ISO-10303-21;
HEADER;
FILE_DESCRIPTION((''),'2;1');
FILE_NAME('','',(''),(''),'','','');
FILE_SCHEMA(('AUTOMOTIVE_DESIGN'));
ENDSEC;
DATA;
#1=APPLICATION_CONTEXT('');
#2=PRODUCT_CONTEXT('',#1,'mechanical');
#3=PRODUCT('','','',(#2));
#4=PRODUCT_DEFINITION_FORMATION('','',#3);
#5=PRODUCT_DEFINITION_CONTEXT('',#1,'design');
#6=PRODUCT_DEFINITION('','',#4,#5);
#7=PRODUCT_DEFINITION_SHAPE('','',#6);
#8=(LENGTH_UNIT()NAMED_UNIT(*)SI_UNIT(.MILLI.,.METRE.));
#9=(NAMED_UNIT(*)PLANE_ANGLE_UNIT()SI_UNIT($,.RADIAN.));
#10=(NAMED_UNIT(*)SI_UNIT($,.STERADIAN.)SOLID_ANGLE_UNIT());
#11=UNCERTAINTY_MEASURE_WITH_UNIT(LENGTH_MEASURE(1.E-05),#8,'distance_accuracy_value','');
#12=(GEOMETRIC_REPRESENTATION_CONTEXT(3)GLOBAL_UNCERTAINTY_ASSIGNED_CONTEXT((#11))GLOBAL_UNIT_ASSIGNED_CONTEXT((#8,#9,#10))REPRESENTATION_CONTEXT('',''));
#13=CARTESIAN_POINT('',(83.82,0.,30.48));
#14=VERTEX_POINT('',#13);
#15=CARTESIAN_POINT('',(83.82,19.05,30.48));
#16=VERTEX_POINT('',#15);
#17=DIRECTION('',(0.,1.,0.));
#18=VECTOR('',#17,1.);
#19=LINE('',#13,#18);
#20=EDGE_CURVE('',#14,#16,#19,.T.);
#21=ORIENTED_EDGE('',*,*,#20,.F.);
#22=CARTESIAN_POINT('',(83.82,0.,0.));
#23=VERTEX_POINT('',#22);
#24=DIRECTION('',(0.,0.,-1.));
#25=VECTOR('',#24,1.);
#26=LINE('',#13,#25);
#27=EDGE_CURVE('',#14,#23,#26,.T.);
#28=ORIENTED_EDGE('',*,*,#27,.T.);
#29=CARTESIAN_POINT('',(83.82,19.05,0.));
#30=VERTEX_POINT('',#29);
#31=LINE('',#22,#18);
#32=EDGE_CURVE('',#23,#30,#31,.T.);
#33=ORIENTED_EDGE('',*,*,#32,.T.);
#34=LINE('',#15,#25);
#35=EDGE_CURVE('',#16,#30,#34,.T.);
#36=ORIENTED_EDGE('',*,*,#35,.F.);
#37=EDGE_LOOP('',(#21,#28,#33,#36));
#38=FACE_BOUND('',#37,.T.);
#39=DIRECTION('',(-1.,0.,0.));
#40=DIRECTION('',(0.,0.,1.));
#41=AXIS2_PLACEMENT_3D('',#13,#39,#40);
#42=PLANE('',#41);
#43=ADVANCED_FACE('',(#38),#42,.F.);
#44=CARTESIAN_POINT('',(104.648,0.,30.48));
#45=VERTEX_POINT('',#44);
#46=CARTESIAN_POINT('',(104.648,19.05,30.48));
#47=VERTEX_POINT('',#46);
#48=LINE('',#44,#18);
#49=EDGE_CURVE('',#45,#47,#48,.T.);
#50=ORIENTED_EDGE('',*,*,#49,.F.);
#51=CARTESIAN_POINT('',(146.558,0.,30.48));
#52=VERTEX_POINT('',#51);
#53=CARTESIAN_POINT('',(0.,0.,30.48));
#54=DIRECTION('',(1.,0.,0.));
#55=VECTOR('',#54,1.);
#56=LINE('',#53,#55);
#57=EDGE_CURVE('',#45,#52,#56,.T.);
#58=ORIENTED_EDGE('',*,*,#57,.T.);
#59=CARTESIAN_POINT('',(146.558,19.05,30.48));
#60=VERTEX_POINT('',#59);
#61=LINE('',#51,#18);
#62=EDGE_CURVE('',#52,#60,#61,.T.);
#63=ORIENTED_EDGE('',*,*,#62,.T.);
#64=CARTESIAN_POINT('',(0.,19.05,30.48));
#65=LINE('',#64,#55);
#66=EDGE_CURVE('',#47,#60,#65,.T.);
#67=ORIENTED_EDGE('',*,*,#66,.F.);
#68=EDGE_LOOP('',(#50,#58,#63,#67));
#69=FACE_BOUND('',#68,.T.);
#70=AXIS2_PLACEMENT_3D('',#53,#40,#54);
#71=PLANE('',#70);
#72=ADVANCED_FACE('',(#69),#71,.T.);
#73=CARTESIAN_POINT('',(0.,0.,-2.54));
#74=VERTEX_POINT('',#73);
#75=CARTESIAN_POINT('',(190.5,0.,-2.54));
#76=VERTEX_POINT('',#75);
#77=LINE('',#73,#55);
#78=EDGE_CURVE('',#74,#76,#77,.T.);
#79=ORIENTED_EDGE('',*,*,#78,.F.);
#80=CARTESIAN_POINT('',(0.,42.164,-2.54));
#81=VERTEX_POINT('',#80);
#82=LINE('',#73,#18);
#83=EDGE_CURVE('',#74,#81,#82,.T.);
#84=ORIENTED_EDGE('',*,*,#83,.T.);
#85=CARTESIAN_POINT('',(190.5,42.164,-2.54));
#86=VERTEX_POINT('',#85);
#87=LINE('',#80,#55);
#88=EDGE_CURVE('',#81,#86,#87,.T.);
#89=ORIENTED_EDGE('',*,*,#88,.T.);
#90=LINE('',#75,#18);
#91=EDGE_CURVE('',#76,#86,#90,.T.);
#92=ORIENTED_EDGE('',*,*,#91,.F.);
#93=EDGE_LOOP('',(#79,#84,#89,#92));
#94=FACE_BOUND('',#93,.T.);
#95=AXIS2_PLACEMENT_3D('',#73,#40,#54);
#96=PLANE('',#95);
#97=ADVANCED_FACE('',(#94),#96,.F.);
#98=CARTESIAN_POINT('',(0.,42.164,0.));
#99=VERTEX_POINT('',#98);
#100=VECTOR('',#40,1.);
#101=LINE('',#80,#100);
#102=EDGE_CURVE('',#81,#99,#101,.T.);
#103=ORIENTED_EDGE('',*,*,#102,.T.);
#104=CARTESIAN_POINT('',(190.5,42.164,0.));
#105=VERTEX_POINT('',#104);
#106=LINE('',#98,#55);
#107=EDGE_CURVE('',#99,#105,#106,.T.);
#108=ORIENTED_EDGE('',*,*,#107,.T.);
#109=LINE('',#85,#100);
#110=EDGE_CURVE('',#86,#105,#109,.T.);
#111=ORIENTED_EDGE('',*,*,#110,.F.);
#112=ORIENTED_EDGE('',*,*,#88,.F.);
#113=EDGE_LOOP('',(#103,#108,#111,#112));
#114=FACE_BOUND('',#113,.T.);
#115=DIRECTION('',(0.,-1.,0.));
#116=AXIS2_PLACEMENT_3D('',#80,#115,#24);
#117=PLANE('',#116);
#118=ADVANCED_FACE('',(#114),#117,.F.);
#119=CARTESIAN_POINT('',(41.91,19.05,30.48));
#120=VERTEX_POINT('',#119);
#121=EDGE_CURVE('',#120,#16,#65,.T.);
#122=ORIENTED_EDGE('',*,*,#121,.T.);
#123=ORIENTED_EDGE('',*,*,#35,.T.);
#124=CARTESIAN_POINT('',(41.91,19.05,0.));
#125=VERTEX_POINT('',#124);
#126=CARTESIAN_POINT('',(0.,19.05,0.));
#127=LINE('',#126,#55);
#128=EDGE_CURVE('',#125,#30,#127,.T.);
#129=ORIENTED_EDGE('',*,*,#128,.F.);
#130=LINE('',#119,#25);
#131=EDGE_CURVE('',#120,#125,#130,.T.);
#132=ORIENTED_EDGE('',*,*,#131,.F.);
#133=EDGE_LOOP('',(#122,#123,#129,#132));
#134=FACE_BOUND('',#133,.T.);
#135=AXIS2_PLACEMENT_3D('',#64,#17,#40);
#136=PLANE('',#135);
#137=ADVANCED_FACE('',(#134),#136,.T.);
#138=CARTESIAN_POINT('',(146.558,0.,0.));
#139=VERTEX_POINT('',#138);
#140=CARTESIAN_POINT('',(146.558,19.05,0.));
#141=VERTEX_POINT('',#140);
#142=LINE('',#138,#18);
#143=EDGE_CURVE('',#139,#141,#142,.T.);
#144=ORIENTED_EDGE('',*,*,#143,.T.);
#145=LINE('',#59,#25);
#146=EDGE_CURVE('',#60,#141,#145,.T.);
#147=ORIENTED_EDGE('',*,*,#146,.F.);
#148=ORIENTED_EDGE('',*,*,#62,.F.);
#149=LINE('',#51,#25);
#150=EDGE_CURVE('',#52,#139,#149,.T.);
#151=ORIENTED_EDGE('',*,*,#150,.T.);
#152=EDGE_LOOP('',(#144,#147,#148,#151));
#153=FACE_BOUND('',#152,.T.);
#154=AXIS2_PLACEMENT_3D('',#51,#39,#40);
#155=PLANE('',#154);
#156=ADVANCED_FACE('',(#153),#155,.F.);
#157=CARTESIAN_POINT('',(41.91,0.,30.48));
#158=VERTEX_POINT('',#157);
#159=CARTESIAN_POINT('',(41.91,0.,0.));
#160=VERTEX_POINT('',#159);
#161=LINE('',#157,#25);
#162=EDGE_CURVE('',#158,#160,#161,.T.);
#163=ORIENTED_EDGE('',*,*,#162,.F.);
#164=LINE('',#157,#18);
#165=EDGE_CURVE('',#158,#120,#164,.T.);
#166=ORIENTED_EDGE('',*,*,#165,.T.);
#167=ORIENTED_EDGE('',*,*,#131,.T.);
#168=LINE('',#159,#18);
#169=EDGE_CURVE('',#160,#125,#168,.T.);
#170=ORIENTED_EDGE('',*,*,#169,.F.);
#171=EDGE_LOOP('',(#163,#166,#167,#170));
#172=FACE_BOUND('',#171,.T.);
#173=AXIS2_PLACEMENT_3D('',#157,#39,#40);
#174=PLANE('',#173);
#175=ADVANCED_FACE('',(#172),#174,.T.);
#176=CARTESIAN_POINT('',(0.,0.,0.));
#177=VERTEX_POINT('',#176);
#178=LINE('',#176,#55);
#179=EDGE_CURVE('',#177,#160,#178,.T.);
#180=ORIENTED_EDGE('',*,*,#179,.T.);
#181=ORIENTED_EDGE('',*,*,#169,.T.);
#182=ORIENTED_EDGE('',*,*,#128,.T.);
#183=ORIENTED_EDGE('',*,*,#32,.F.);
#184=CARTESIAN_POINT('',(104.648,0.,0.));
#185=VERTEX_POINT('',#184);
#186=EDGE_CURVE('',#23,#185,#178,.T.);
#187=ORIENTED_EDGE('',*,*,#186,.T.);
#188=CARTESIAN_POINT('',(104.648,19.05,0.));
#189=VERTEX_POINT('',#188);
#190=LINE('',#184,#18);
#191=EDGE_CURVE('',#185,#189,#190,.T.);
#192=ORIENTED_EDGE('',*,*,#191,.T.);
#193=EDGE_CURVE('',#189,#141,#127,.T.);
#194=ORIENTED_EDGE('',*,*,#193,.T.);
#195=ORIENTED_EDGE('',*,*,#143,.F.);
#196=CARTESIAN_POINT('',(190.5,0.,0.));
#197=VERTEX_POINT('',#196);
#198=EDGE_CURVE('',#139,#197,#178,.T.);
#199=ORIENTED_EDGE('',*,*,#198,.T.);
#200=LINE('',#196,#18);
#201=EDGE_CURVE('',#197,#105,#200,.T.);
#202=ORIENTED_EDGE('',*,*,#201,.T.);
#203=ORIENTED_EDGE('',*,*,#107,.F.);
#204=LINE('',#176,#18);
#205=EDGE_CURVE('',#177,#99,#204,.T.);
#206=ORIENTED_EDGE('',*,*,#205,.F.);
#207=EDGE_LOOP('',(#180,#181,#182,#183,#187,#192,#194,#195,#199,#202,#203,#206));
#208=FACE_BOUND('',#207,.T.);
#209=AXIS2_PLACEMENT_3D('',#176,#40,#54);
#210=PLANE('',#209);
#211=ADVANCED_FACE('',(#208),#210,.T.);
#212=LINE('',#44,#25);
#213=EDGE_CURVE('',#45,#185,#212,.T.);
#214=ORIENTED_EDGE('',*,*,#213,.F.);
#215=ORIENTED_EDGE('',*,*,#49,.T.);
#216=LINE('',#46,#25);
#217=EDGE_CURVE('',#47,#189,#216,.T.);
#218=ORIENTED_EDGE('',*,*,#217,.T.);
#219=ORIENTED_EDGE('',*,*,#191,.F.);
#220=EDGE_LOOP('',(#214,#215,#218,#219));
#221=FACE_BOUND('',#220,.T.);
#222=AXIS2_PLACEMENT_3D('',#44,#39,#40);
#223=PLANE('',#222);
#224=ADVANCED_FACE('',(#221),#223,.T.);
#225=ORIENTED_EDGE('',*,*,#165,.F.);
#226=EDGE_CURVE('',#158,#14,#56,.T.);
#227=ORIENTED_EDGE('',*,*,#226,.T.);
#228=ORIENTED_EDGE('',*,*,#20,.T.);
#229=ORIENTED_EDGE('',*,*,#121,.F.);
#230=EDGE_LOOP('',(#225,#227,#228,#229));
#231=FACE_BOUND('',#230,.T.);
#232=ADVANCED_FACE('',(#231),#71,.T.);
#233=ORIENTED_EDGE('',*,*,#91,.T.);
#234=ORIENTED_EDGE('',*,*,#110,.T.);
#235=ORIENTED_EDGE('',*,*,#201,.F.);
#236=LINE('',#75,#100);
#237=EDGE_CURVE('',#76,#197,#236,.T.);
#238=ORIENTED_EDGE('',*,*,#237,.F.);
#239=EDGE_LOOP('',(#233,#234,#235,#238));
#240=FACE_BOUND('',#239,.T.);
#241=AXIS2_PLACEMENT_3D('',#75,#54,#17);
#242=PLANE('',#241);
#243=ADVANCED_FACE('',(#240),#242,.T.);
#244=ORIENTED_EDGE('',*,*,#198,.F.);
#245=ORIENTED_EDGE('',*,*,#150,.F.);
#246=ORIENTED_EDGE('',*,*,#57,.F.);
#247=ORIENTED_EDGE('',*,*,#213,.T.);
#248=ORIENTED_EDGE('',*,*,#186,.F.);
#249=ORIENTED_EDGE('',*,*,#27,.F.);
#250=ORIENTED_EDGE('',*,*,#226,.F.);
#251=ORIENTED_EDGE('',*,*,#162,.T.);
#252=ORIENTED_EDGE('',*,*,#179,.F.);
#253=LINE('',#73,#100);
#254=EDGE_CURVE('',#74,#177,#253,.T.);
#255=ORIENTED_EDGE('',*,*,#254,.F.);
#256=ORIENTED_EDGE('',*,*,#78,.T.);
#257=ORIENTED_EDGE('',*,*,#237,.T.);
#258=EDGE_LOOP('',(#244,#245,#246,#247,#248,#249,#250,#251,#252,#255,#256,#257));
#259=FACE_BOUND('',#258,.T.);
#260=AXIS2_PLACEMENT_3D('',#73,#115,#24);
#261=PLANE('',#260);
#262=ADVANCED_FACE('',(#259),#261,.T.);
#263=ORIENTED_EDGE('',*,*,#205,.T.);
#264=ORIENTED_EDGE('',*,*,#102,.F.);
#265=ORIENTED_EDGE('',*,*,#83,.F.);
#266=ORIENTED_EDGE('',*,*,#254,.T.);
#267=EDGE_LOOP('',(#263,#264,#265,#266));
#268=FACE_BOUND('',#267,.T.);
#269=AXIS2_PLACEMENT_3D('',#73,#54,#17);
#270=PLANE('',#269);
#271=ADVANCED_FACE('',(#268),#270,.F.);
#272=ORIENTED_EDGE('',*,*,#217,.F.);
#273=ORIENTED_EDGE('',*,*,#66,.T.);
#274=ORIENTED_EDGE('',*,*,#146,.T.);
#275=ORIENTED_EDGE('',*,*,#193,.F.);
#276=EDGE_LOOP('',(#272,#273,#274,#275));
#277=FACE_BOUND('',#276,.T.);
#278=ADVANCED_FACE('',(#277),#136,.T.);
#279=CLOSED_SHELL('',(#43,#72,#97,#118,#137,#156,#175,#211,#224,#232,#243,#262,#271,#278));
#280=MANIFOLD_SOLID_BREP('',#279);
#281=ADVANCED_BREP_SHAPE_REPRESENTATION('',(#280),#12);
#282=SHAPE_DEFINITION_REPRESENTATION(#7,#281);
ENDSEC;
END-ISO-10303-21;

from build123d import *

# Parameters (mm, degrees)
SKETCH1_W           = 190.5
SKETCH1_H           = 42.164
BOSS_EXTRUDE1_DEPTH = 2.54
SKETCH1_3_W         = 41.91
SKETCH1_3_H         = 19.05
BOSS_EXTRUDE2_DEPTH = 30.48


with BuildPart() as part:
    # Sketch1 → Boss-Extrude1 (new body)
    with BuildSketch(Plane.XY):
        with Locations((95.25, 21.082)):
            Rectangle(SKETCH1_W, SKETCH1_H)
    extrude(amount=-BOSS_EXTRUDE1_DEPTH)

    # Sketch1<3> → Boss-Extrude2 (add)
    with BuildSketch(Plane.XY):
        with Locations((62.865, 9.525)):
            Rectangle(SKETCH1_3_W, SKETCH1_3_H)
        with Locations((125.603, 9.525)):
            Rectangle(SKETCH1_3_W, SKETCH1_3_H)
    extrude(amount=BOSS_EXTRUDE2_DEPTH)


solid = part.part
